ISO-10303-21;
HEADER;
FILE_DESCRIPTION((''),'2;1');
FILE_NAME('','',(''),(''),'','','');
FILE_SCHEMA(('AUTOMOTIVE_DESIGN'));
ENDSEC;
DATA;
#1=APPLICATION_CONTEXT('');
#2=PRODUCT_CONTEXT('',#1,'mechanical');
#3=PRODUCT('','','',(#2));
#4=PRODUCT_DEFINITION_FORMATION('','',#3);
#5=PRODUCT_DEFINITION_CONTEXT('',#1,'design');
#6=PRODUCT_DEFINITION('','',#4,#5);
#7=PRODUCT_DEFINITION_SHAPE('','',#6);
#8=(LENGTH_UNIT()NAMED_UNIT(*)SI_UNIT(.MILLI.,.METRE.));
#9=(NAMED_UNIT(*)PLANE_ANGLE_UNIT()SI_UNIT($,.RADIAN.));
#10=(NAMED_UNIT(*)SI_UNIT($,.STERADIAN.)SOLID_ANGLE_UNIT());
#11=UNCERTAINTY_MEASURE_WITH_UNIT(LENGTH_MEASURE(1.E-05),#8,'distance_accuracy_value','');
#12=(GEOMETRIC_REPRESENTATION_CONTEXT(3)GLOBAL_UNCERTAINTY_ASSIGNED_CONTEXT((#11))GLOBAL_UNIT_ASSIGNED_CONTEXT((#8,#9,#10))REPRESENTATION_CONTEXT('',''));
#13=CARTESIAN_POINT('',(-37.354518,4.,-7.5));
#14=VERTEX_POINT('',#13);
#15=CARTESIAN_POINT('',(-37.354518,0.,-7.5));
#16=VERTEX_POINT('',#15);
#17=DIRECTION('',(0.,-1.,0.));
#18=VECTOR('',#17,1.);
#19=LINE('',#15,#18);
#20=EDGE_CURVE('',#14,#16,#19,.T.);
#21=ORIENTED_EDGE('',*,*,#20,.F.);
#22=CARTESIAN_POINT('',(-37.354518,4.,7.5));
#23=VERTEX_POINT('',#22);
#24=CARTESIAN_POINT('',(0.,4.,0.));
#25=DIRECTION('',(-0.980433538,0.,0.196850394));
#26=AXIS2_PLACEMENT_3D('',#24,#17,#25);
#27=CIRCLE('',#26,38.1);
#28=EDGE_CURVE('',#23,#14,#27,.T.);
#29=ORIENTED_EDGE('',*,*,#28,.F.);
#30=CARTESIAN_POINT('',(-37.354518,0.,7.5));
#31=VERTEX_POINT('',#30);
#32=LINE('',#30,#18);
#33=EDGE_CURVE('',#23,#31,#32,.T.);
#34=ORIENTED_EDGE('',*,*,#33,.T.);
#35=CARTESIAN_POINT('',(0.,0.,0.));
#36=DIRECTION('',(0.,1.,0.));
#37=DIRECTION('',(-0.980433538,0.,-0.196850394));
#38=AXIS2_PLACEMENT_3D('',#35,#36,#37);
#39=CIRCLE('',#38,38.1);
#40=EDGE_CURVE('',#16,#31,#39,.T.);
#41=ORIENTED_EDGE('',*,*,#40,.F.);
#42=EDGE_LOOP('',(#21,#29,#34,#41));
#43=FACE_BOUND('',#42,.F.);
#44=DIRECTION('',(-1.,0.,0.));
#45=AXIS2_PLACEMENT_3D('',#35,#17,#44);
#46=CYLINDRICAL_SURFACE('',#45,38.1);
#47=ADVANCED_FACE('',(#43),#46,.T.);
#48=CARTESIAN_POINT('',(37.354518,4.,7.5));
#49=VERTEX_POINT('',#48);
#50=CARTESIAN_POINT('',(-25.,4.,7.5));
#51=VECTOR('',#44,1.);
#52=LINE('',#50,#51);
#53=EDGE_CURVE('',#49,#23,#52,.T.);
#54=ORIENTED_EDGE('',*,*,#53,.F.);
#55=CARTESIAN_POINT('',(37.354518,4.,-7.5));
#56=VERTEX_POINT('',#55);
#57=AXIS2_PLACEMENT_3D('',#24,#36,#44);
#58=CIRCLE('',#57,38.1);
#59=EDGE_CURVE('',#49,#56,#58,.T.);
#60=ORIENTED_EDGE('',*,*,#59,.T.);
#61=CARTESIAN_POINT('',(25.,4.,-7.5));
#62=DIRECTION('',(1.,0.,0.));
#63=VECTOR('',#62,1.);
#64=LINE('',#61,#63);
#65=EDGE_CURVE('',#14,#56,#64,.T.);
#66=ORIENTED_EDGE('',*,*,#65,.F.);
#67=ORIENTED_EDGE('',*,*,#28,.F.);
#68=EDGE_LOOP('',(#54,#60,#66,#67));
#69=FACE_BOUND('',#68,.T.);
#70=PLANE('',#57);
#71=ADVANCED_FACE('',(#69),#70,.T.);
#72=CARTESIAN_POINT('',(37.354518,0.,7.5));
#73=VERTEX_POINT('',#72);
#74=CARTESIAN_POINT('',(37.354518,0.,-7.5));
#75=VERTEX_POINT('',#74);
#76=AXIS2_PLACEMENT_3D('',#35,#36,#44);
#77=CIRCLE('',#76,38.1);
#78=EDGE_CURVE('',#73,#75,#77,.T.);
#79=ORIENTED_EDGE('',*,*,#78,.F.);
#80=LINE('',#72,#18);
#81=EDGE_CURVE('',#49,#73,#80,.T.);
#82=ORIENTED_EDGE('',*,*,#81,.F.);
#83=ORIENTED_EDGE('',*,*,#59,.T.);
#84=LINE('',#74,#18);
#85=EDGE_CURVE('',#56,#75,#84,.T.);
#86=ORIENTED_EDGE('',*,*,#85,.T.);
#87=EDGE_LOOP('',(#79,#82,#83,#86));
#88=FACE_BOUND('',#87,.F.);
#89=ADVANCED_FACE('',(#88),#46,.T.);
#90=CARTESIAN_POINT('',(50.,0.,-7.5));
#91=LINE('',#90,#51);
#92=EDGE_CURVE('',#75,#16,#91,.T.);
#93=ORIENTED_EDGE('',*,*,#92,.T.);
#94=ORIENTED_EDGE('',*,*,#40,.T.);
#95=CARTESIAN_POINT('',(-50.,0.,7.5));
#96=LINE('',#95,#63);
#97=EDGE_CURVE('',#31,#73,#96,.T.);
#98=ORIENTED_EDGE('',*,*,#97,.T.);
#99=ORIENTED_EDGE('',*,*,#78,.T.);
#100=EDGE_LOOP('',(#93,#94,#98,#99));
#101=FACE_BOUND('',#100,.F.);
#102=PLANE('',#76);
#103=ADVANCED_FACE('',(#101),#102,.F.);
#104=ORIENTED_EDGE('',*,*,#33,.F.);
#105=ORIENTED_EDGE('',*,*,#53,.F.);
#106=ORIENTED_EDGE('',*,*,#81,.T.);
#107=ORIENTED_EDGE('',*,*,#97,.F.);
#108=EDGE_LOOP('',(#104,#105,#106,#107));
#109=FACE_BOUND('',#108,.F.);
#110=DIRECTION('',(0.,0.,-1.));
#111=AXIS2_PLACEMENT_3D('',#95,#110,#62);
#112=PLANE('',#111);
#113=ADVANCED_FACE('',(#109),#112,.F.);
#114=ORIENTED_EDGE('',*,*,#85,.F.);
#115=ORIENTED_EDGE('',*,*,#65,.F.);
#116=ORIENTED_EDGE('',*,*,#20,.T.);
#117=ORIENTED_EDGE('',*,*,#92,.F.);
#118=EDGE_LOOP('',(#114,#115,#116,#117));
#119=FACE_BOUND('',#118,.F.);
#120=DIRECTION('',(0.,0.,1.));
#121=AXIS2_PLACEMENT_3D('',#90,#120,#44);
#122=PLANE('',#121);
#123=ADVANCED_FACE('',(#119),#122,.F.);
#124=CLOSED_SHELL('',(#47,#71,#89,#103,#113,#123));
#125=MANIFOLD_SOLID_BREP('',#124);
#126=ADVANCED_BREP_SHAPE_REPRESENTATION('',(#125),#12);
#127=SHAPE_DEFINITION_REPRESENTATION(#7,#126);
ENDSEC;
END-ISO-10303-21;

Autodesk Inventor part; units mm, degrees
ref_plane "YZ Plane" through (0, 0, 0) normal (1, 0, 0) x (0, 1, 0)
ref_plane "XZ Plane" through (0, 0, 0) normal (0, 1, 0) x (-1, 0, 0)
ref_plane "XY Plane" through (0, 0, 0) normal (0, 0, 1) x (1, 0, 0)
sketch "Sketch1" plane through (0, 0, 0) normal (0, 1, 0) x (-1, 0, 0)
  circle A0 centre (0, 0) radius 38.1
  dimension "d0" = 76.2
extrude "Extrusion1" add sketch "Sketch1" along normal blind 4
sketch "Sketch2" plane through (0, 0, 0) normal (0, -1, 0) x (1, 0, 0)
  line L0 (-50, 7.5) -> (50, 7.5)
  line L1 (50, 7.5) -> (50, -7.5)
  line L2 (50, -7.5) -> (-50, -7.5)
  line L3 (-50, -7.5) -> (-50, 7.5)
  point P0 (0, 0)
  dimension "d3" = 15
  dimension "d4" = 7.5
  dimension "d5" = 100
  dimension "d6" = 50
extrude "Extrusion2" cut sketch "Sketch2" against normal blind 10 keep common part
properties part number "Rotor"
